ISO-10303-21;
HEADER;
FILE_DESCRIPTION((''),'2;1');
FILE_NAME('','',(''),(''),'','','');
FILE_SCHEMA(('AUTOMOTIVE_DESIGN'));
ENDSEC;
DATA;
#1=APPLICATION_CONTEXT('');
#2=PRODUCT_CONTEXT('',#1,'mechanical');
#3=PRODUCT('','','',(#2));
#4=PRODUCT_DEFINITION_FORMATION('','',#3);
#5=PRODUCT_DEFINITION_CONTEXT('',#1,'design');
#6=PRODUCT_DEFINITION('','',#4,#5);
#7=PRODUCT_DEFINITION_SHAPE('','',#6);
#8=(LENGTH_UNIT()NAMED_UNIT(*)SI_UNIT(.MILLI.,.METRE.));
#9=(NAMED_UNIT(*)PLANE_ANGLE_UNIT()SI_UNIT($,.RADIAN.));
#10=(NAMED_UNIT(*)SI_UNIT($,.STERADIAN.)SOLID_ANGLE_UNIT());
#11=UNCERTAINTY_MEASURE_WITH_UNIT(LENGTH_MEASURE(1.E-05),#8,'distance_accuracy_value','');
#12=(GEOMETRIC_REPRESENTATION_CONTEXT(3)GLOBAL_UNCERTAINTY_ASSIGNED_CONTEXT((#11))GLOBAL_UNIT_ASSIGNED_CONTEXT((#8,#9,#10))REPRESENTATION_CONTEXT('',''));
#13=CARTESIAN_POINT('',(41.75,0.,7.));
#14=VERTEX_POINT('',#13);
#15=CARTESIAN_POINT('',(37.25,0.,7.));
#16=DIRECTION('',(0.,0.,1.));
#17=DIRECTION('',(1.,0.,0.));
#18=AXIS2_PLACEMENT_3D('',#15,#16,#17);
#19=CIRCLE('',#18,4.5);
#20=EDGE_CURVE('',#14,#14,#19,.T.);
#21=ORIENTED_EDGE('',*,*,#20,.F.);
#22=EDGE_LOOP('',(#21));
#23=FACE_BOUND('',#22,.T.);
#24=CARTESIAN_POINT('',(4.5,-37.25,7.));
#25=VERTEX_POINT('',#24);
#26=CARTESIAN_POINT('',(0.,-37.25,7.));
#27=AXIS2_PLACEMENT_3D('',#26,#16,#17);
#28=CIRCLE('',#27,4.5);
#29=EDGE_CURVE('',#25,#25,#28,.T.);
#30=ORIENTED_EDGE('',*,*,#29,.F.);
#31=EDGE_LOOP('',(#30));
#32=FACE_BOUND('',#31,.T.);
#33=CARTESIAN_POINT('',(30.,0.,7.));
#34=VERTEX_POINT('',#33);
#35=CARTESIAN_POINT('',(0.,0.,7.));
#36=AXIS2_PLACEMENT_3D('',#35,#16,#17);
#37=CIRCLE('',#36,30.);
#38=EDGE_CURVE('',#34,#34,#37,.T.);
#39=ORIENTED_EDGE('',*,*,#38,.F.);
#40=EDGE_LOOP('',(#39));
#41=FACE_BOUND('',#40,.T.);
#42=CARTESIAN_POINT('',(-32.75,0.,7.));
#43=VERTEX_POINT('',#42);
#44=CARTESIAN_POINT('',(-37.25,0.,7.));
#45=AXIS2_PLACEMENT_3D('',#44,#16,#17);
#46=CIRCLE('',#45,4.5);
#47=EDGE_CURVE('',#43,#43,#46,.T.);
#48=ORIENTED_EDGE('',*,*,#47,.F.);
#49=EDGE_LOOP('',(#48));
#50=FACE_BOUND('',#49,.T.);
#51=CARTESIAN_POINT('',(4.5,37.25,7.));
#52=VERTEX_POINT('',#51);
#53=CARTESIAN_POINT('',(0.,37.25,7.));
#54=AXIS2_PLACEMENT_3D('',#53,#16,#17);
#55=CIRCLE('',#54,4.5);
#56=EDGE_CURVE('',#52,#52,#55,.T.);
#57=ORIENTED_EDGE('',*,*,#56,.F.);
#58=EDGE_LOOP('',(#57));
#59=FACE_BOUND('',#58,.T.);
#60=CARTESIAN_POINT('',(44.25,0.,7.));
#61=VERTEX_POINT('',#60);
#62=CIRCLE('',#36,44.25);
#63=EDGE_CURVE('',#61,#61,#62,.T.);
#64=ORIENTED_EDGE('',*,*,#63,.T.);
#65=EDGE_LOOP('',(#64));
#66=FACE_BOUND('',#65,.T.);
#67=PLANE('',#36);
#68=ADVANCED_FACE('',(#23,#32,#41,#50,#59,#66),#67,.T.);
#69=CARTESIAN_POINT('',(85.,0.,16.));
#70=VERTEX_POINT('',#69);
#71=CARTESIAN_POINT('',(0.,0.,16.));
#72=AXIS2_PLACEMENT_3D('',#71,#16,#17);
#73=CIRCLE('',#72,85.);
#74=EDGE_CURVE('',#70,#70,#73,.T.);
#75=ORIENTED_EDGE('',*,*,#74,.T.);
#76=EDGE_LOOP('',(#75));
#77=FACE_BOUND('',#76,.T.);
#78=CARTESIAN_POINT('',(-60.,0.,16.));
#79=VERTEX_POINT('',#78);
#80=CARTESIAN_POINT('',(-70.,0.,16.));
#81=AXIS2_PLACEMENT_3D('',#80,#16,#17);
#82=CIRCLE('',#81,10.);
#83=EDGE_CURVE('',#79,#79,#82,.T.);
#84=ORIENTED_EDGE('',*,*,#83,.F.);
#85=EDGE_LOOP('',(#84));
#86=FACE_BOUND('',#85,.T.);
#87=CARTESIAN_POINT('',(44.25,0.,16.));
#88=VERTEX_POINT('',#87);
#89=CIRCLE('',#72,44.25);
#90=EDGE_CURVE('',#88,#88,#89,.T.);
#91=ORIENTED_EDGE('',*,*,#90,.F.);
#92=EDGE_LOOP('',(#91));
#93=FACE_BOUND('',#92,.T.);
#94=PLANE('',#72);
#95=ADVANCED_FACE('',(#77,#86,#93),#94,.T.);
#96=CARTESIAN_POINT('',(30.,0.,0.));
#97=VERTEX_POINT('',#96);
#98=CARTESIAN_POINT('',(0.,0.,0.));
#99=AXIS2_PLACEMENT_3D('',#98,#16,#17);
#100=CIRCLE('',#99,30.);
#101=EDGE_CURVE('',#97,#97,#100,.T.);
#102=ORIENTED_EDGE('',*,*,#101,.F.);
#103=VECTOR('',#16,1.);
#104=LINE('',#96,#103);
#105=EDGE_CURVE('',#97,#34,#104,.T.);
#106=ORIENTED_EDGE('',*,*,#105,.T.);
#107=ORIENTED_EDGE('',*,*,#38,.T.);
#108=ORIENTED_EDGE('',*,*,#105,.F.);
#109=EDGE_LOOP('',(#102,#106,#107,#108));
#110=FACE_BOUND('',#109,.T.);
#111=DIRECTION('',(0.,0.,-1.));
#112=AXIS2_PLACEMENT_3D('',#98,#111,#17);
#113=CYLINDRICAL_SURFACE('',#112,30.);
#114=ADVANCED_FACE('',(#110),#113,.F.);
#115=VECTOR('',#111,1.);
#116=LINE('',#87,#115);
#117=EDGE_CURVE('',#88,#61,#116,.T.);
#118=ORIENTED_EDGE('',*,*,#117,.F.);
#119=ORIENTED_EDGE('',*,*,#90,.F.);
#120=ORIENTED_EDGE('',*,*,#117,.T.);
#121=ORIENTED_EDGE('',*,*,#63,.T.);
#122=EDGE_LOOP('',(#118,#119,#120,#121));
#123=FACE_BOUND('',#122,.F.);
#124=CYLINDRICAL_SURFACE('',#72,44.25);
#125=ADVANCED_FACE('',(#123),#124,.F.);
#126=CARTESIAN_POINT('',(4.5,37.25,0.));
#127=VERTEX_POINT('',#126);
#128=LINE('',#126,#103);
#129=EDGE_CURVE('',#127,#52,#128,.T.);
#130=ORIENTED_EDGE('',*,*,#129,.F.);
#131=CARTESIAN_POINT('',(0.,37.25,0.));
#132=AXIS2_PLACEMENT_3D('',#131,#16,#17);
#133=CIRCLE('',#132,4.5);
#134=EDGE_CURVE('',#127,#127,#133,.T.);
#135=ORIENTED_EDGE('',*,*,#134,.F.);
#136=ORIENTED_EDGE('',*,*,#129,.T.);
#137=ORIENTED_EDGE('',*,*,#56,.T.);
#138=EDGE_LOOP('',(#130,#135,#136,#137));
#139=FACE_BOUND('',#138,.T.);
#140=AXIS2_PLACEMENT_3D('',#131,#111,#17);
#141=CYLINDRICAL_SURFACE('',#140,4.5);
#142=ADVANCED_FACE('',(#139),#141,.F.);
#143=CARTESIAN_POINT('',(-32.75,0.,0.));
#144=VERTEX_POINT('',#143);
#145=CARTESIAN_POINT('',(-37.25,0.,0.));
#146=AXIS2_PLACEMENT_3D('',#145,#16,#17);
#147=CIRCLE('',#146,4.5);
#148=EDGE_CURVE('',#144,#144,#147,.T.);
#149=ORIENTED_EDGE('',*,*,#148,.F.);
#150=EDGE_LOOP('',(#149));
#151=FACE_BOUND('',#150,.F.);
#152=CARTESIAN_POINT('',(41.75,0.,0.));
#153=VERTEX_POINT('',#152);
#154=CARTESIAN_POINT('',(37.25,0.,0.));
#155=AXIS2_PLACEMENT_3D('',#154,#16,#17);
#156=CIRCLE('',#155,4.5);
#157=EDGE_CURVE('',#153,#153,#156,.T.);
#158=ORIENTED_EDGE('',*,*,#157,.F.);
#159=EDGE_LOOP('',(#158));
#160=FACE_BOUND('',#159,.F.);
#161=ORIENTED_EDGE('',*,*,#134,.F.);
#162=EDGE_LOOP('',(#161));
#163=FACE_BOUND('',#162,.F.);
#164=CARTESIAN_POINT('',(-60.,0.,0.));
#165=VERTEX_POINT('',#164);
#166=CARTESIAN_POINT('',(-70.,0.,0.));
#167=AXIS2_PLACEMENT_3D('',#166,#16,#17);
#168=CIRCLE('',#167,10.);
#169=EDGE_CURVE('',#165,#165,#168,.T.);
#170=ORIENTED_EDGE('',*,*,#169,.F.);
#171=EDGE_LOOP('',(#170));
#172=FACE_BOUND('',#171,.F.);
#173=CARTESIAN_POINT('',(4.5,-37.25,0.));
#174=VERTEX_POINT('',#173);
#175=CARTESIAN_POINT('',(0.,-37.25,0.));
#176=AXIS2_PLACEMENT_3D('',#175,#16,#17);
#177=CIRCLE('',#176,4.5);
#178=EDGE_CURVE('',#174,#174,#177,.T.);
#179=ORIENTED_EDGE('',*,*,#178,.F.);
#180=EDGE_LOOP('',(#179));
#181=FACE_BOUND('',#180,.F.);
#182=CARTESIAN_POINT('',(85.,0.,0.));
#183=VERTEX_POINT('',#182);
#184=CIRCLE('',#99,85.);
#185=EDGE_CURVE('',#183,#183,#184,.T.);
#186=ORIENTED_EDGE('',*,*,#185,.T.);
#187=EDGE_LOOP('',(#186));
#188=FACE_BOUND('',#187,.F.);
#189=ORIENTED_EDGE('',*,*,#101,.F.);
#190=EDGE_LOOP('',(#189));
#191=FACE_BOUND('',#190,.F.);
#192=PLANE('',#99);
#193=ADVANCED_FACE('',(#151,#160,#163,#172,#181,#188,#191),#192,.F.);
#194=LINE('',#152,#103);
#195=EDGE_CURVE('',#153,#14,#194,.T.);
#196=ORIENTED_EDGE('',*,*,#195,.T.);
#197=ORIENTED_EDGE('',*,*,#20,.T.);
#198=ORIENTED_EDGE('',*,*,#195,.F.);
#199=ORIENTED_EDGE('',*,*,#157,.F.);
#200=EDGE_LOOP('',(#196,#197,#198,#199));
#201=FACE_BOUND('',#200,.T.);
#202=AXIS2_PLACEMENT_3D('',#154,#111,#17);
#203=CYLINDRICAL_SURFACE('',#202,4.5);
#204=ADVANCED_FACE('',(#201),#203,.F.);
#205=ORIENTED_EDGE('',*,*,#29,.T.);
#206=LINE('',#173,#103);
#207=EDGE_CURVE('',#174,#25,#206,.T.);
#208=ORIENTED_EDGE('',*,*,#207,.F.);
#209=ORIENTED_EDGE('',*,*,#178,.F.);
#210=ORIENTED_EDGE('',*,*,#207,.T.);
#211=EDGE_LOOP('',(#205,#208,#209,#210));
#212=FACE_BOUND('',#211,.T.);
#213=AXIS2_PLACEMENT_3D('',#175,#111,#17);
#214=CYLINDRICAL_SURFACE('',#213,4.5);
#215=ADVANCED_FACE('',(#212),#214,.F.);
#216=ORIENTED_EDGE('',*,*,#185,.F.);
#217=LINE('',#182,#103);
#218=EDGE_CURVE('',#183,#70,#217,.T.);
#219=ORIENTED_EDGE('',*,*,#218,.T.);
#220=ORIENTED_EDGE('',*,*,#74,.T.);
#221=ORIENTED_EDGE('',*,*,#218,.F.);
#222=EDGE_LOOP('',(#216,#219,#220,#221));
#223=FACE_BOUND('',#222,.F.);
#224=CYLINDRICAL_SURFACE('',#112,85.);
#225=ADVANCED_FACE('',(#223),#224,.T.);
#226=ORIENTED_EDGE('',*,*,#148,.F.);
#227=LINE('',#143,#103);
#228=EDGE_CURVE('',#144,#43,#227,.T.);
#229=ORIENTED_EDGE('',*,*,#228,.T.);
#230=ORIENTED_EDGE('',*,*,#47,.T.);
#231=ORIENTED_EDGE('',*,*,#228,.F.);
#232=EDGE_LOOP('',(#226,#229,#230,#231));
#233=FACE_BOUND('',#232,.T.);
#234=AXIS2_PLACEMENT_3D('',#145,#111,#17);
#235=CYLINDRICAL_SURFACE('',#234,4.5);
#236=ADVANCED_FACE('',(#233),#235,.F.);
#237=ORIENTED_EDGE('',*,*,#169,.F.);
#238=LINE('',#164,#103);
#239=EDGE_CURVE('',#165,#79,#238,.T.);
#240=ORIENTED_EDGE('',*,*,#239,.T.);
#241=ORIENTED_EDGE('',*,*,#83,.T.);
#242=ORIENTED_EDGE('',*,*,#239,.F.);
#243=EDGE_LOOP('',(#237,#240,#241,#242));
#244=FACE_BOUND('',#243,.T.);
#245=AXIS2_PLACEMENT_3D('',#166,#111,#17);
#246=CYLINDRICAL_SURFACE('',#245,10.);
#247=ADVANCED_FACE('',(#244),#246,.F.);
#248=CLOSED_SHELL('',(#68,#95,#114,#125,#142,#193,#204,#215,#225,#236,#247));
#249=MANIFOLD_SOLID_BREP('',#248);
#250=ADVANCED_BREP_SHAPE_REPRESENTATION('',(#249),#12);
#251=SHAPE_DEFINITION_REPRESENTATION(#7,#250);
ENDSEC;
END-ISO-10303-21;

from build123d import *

# Parameters (mm, degrees)
F0_R     = 85
F0_R_2   = 4.5
F0_R_3   = 10
F0_R_4   = 30
F1_DEPTH = 16
F2_R     = 44.25
F2_R_2   = 4.5
F2_R_3   = 30
F3_DEPTH = 9


with BuildPart() as f1:
    # F0 (on Top) → F1 (new body)
    with BuildSketch(Plane.XY):
        Circle(F0_R)
        with Locations((0, -37.25)):
            Circle(F0_R_2, mode=Mode.SUBTRACT)
        with Locations((-70, 0)):
            Circle(F0_R_3, mode=Mode.SUBTRACT)
        with Locations((-37.25, 0)):
            Circle(F0_R_2, mode=Mode.SUBTRACT)
        Circle(F0_R_4, mode=Mode.SUBTRACT)
        with Locations((37.25, 0)):
            Circle(F0_R_2, mode=Mode.SUBTRACT)
        with Locations((0, 37.25)):
            Circle(F0_R_2, mode=Mode.SUBTRACT)
    extrude(amount=F1_DEPTH)

    # F2 (on face) → F3 (cut)
    with BuildSketch(Plane.XY.offset(16)):
        Circle(F2_R)
        with Locations((0, -37.25)):
            Circle(F2_R_2, mode=Mode.SUBTRACT)
        with Locations((-37.25, 0)):
            Circle(F2_R_2, mode=Mode.SUBTRACT)
        Circle(F2_R_3, mode=Mode.SUBTRACT)
        with Locations((37.25, 0)):
            Circle(F2_R_2, mode=Mode.SUBTRACT)
        with Locations((0, 37.25)):
            Circle(F2_R_2, mode=Mode.SUBTRACT)
    extrude(amount=-F3_DEPTH, mode=Mode.SUBTRACT)


solid = f1.part
